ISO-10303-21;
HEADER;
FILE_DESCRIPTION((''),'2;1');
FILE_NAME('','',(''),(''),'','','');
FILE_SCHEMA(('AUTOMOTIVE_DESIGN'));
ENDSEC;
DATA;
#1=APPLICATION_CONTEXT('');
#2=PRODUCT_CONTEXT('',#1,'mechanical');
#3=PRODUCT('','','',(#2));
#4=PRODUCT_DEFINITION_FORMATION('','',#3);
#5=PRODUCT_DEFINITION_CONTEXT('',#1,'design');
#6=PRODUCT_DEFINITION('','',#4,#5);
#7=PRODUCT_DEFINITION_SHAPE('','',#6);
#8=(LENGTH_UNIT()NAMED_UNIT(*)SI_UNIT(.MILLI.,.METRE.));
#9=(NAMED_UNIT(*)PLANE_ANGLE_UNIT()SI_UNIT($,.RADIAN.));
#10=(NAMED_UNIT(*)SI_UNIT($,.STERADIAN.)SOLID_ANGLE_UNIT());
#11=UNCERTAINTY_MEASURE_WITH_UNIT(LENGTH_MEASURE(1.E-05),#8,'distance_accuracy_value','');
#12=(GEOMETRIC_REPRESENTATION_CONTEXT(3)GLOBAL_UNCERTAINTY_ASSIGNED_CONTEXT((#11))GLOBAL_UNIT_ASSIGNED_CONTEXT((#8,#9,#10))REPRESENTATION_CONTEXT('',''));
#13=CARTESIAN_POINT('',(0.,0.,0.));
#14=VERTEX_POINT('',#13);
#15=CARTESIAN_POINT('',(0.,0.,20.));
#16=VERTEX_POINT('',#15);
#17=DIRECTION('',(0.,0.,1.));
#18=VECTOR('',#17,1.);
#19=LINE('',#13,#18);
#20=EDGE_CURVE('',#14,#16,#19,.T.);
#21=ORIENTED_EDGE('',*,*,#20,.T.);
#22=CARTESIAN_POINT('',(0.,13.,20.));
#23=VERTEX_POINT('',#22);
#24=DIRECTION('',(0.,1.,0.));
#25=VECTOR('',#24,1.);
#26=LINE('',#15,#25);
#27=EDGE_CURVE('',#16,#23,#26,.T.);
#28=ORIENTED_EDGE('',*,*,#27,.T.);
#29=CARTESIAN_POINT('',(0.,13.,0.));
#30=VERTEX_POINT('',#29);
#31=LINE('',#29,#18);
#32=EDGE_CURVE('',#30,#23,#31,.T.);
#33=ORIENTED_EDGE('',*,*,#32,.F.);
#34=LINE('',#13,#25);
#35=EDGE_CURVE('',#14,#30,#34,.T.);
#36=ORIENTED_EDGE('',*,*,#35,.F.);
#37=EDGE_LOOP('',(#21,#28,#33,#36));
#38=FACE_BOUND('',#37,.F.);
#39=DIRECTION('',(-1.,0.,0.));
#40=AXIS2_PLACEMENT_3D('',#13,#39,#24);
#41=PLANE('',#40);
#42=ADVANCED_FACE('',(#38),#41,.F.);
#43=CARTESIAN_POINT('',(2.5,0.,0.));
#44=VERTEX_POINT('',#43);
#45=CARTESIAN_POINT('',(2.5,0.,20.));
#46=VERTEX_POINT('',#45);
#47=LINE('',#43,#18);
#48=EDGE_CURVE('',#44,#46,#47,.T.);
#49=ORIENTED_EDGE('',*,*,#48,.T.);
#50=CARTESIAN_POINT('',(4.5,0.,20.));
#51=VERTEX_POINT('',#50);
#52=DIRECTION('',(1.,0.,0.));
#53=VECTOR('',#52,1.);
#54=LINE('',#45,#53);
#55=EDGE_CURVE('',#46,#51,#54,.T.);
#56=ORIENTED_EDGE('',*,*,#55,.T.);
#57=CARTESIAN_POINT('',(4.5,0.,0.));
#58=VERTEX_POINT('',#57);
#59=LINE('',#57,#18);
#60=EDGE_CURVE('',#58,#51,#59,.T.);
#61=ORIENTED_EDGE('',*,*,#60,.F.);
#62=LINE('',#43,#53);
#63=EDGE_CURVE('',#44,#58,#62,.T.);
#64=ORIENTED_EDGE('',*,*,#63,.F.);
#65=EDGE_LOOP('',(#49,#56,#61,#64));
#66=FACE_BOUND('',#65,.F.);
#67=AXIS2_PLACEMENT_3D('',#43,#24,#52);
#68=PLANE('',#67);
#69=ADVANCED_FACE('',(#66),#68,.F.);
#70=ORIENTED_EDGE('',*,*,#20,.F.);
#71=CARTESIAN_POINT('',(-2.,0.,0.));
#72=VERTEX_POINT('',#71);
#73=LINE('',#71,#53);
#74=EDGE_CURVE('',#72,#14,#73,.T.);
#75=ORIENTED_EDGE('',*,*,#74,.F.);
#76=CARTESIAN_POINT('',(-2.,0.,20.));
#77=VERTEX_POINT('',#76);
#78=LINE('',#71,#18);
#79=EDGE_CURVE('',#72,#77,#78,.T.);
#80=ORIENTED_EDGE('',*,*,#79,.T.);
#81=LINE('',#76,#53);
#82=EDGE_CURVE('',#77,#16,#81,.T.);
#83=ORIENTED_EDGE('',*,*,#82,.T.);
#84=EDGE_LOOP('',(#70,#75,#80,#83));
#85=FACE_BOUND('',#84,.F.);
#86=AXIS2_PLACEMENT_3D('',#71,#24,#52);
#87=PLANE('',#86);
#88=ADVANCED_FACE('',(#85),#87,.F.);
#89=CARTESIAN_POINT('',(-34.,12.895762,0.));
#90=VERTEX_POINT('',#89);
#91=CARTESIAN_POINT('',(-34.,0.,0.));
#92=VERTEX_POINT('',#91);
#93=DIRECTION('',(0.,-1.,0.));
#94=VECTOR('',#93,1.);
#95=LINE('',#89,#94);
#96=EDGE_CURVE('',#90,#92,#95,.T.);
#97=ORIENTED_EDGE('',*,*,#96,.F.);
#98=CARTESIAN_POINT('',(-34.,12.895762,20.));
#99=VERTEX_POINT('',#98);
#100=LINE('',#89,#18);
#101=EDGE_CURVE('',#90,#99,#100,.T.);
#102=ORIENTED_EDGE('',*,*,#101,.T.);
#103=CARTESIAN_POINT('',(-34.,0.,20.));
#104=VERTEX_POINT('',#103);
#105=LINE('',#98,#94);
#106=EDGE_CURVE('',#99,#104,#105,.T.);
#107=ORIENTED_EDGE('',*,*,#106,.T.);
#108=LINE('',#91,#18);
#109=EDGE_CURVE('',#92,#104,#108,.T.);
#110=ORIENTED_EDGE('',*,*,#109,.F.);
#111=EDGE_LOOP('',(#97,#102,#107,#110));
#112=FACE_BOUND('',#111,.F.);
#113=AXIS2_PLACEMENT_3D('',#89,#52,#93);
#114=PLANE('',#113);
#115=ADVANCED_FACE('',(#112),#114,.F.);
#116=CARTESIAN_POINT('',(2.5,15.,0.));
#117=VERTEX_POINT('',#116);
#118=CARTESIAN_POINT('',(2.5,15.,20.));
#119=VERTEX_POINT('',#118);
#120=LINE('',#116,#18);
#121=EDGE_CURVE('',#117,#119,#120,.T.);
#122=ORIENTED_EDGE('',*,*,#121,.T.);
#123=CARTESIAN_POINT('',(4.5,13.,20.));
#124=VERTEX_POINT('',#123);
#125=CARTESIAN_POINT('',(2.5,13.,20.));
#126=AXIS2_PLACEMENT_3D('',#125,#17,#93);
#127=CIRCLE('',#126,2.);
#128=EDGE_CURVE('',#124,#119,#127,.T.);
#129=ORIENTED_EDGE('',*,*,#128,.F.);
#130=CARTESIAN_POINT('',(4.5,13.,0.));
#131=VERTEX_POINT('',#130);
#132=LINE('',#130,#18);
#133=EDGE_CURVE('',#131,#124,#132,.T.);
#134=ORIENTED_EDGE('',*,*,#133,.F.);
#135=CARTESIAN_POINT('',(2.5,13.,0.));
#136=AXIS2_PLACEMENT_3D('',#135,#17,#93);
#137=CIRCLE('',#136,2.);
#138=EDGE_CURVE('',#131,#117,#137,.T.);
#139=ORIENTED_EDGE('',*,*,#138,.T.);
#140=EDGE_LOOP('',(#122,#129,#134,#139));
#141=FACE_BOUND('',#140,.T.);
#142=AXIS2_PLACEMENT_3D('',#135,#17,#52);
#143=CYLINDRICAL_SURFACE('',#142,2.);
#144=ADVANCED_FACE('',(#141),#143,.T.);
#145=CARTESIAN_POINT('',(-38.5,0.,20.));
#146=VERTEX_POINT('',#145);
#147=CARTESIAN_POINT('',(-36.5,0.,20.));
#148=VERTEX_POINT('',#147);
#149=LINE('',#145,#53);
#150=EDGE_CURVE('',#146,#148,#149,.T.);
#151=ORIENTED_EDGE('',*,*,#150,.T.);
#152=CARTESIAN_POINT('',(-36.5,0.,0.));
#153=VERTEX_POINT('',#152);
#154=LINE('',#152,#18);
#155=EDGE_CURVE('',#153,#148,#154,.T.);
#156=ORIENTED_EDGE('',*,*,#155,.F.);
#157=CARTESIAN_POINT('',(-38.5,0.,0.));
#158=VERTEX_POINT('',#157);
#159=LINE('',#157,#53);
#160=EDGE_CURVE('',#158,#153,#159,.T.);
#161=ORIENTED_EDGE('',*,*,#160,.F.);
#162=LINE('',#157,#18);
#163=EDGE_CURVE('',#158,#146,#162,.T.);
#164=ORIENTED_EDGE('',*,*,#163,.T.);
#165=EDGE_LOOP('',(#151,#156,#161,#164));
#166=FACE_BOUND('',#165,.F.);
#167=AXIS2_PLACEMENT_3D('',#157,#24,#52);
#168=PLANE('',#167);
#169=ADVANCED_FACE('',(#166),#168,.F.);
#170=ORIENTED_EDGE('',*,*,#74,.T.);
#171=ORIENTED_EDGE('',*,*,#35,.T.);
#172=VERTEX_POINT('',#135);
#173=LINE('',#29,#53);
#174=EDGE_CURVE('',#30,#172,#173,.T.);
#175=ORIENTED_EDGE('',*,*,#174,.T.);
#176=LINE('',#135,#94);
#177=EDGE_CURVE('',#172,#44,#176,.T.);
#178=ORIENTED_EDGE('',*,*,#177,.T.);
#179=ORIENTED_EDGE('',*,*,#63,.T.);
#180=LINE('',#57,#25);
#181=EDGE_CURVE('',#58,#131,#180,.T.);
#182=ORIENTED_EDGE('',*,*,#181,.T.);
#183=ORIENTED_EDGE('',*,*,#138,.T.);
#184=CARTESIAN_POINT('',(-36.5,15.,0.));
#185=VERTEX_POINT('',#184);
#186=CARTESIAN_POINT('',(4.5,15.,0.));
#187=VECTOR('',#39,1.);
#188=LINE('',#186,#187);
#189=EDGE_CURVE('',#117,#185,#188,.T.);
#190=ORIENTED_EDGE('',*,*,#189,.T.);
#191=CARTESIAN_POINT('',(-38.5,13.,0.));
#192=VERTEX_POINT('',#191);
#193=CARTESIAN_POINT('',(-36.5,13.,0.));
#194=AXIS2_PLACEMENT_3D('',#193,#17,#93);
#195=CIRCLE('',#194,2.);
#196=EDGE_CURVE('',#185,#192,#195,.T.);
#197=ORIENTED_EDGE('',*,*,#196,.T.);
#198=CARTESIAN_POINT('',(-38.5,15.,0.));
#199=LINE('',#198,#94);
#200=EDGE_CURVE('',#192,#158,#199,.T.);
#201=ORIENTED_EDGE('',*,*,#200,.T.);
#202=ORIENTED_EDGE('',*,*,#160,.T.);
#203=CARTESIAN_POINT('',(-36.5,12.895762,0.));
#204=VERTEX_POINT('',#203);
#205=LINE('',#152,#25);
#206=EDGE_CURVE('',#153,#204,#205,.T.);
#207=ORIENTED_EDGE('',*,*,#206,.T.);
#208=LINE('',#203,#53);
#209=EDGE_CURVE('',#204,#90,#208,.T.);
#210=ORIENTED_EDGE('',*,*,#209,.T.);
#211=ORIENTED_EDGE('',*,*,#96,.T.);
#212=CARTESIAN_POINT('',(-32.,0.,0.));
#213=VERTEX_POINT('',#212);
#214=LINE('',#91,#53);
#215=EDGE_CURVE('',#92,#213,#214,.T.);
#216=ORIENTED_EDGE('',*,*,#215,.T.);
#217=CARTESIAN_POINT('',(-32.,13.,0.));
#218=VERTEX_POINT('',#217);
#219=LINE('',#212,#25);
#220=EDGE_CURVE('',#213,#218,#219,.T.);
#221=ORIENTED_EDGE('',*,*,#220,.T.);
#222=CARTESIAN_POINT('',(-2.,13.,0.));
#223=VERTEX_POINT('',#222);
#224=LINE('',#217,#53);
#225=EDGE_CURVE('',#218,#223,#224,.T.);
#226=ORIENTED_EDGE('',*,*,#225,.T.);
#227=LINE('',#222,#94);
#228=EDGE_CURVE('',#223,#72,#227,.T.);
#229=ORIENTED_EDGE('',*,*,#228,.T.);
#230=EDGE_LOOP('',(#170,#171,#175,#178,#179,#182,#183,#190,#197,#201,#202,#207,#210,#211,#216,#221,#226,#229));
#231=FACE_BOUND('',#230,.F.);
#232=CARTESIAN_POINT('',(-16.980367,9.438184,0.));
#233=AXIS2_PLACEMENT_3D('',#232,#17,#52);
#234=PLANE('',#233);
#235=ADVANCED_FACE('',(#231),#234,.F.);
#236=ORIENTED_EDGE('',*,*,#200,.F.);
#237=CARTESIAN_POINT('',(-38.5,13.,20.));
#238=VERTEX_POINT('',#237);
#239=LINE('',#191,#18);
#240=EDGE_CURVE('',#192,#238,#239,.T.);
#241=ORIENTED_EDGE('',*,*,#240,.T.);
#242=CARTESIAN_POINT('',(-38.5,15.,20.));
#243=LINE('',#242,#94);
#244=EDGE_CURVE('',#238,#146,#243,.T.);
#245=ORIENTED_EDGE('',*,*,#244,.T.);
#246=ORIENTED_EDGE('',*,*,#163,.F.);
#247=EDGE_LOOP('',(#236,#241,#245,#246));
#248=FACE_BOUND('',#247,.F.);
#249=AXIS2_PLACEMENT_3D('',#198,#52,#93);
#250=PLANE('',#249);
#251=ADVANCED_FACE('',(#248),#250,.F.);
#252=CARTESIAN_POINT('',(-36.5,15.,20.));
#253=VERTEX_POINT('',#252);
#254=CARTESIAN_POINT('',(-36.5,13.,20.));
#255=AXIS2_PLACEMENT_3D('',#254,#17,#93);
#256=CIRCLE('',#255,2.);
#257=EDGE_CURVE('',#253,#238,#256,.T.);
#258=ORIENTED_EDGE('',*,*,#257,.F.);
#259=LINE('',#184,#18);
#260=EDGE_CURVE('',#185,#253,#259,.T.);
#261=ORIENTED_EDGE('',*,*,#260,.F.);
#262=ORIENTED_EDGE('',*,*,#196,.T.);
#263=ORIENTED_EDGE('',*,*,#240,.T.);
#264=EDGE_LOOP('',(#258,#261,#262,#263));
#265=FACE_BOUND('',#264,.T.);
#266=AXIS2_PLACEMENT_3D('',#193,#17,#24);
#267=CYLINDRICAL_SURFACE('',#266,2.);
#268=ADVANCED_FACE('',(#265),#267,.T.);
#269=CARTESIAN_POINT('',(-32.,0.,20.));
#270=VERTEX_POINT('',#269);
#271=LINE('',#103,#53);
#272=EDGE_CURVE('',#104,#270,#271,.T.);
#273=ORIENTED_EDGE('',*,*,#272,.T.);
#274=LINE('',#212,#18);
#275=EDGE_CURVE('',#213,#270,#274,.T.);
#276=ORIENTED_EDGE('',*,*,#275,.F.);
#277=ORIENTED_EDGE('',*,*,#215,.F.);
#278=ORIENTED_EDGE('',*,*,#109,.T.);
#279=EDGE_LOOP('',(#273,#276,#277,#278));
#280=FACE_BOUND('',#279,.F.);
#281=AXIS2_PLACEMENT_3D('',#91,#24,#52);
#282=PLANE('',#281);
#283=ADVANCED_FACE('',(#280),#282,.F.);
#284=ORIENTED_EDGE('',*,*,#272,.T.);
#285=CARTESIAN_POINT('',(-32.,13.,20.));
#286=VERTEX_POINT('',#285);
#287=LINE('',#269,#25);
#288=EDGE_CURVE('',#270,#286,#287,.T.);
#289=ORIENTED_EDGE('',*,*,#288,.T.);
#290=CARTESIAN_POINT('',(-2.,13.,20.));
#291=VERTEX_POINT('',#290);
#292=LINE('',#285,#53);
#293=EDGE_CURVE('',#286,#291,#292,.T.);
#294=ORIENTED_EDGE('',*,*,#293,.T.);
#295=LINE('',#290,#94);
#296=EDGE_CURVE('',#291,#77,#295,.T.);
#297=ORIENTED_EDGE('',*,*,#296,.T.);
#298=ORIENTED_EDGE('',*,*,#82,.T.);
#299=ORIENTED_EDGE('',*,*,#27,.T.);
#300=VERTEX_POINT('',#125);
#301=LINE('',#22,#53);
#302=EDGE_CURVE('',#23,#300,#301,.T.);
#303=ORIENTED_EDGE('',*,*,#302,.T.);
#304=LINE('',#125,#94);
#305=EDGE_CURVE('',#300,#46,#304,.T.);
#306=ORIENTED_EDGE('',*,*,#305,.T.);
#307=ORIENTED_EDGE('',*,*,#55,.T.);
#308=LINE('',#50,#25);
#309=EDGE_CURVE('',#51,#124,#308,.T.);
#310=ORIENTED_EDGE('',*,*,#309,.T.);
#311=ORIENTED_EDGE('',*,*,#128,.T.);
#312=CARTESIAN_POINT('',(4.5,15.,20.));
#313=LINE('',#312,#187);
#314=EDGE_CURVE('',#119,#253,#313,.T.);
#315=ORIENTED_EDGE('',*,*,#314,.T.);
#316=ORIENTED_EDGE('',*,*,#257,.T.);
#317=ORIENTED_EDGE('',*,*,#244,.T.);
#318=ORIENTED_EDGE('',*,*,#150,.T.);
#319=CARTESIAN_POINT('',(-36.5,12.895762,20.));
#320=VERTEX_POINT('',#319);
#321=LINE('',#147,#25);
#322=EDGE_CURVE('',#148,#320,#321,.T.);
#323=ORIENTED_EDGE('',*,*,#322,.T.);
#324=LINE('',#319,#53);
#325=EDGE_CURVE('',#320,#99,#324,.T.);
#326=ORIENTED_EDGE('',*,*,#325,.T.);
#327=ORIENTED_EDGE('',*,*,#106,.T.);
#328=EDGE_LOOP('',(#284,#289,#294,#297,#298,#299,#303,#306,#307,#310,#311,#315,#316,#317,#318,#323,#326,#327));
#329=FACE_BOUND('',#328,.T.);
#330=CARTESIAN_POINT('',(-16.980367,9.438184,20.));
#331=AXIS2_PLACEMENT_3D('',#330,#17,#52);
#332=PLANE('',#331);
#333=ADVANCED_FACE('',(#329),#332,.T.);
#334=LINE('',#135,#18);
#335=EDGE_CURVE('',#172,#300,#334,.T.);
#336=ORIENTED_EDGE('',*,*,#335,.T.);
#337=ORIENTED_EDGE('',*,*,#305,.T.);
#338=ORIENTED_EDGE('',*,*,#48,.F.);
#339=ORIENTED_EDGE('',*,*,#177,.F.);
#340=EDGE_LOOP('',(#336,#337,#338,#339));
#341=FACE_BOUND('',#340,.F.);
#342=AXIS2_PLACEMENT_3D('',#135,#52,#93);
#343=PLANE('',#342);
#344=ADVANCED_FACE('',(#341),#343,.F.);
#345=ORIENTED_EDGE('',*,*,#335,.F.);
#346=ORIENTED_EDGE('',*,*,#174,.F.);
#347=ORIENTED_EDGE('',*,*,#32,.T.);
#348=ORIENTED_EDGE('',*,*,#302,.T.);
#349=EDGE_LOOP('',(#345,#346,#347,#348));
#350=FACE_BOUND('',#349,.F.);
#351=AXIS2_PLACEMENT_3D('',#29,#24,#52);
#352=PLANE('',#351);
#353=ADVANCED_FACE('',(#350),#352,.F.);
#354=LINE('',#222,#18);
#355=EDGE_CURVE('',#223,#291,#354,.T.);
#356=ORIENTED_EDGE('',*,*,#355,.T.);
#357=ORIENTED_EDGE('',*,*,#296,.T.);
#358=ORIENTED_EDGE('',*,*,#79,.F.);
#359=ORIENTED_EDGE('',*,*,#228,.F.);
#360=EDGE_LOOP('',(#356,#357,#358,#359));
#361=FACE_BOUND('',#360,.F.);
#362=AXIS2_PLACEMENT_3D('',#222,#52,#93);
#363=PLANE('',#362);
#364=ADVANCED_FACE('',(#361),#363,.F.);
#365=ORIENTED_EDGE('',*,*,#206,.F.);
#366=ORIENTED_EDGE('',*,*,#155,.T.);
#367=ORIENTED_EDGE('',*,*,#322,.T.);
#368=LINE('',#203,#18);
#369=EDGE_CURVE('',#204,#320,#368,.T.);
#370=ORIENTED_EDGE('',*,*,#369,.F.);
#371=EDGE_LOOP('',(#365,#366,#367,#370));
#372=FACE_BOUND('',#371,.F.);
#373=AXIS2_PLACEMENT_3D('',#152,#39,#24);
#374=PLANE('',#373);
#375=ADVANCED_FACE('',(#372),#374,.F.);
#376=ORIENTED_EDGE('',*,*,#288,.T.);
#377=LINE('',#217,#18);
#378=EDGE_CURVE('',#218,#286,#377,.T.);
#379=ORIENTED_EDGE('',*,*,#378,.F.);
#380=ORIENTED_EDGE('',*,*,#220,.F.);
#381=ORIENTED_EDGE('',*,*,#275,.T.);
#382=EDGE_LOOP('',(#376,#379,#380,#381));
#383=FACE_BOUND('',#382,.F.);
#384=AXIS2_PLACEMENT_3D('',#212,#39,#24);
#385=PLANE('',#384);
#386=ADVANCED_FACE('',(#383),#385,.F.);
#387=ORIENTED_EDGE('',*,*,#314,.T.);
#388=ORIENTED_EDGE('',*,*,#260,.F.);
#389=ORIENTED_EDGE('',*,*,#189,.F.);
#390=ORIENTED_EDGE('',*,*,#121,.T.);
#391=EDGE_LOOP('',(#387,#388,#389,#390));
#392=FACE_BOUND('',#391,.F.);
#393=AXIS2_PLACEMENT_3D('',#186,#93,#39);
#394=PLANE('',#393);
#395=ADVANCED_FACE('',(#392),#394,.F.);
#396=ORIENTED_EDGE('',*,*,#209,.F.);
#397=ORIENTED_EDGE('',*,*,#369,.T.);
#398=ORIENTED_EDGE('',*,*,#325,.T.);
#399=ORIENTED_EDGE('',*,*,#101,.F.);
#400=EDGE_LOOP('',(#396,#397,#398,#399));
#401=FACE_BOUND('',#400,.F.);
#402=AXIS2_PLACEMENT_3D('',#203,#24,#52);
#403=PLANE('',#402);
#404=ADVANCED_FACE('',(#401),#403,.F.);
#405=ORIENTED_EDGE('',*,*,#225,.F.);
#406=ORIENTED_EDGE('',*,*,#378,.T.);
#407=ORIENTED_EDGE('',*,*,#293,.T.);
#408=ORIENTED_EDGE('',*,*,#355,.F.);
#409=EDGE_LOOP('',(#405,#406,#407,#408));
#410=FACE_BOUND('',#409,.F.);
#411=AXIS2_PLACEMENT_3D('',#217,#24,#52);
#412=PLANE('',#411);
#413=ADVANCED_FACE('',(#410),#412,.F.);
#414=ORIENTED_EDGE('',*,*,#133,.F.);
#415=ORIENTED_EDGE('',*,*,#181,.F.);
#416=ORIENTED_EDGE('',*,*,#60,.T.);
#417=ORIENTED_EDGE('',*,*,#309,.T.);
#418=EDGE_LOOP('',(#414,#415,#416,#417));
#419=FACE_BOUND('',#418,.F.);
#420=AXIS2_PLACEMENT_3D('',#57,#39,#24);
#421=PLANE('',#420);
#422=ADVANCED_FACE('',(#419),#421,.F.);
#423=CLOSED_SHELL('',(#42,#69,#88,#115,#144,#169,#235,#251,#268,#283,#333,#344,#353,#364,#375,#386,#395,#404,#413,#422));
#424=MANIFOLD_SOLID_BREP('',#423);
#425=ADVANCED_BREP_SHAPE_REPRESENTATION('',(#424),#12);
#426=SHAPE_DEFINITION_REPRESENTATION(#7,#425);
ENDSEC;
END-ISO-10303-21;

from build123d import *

# Parameters (mm, degrees)
F1_DEPTH = 20
F2_R     = 2


with BuildPart() as f1:
    # F0 (on Top) → F1 (new body)
    with BuildSketch(Plane.XY):
        Polygon((-2, 0), (0, 0), (0, 13), (2.5, 13), (2.5, 0), (4.5, 0), (4.5, 15), (2.5, 15), (0, 15), (-34, 15), (-36.5, 15), (-38.5, 15), (-38.5, 0), (-36.5, 0), (-36.5, 12.895762), (-34, 12.895762), (-34, 0), (-32, 0), (-32, 13), (-2, 13), align=None)
    extrude(amount=F1_DEPTH)

    # F2
    f2_edges = [f1.edges().sort_by_distance(p)[0] for p in [
        (4.5, 15, 10),
        (-38.5, 15, 10),
    ]]
    fillet(f2_edges, radius=F2_R)


solid = f1.part
